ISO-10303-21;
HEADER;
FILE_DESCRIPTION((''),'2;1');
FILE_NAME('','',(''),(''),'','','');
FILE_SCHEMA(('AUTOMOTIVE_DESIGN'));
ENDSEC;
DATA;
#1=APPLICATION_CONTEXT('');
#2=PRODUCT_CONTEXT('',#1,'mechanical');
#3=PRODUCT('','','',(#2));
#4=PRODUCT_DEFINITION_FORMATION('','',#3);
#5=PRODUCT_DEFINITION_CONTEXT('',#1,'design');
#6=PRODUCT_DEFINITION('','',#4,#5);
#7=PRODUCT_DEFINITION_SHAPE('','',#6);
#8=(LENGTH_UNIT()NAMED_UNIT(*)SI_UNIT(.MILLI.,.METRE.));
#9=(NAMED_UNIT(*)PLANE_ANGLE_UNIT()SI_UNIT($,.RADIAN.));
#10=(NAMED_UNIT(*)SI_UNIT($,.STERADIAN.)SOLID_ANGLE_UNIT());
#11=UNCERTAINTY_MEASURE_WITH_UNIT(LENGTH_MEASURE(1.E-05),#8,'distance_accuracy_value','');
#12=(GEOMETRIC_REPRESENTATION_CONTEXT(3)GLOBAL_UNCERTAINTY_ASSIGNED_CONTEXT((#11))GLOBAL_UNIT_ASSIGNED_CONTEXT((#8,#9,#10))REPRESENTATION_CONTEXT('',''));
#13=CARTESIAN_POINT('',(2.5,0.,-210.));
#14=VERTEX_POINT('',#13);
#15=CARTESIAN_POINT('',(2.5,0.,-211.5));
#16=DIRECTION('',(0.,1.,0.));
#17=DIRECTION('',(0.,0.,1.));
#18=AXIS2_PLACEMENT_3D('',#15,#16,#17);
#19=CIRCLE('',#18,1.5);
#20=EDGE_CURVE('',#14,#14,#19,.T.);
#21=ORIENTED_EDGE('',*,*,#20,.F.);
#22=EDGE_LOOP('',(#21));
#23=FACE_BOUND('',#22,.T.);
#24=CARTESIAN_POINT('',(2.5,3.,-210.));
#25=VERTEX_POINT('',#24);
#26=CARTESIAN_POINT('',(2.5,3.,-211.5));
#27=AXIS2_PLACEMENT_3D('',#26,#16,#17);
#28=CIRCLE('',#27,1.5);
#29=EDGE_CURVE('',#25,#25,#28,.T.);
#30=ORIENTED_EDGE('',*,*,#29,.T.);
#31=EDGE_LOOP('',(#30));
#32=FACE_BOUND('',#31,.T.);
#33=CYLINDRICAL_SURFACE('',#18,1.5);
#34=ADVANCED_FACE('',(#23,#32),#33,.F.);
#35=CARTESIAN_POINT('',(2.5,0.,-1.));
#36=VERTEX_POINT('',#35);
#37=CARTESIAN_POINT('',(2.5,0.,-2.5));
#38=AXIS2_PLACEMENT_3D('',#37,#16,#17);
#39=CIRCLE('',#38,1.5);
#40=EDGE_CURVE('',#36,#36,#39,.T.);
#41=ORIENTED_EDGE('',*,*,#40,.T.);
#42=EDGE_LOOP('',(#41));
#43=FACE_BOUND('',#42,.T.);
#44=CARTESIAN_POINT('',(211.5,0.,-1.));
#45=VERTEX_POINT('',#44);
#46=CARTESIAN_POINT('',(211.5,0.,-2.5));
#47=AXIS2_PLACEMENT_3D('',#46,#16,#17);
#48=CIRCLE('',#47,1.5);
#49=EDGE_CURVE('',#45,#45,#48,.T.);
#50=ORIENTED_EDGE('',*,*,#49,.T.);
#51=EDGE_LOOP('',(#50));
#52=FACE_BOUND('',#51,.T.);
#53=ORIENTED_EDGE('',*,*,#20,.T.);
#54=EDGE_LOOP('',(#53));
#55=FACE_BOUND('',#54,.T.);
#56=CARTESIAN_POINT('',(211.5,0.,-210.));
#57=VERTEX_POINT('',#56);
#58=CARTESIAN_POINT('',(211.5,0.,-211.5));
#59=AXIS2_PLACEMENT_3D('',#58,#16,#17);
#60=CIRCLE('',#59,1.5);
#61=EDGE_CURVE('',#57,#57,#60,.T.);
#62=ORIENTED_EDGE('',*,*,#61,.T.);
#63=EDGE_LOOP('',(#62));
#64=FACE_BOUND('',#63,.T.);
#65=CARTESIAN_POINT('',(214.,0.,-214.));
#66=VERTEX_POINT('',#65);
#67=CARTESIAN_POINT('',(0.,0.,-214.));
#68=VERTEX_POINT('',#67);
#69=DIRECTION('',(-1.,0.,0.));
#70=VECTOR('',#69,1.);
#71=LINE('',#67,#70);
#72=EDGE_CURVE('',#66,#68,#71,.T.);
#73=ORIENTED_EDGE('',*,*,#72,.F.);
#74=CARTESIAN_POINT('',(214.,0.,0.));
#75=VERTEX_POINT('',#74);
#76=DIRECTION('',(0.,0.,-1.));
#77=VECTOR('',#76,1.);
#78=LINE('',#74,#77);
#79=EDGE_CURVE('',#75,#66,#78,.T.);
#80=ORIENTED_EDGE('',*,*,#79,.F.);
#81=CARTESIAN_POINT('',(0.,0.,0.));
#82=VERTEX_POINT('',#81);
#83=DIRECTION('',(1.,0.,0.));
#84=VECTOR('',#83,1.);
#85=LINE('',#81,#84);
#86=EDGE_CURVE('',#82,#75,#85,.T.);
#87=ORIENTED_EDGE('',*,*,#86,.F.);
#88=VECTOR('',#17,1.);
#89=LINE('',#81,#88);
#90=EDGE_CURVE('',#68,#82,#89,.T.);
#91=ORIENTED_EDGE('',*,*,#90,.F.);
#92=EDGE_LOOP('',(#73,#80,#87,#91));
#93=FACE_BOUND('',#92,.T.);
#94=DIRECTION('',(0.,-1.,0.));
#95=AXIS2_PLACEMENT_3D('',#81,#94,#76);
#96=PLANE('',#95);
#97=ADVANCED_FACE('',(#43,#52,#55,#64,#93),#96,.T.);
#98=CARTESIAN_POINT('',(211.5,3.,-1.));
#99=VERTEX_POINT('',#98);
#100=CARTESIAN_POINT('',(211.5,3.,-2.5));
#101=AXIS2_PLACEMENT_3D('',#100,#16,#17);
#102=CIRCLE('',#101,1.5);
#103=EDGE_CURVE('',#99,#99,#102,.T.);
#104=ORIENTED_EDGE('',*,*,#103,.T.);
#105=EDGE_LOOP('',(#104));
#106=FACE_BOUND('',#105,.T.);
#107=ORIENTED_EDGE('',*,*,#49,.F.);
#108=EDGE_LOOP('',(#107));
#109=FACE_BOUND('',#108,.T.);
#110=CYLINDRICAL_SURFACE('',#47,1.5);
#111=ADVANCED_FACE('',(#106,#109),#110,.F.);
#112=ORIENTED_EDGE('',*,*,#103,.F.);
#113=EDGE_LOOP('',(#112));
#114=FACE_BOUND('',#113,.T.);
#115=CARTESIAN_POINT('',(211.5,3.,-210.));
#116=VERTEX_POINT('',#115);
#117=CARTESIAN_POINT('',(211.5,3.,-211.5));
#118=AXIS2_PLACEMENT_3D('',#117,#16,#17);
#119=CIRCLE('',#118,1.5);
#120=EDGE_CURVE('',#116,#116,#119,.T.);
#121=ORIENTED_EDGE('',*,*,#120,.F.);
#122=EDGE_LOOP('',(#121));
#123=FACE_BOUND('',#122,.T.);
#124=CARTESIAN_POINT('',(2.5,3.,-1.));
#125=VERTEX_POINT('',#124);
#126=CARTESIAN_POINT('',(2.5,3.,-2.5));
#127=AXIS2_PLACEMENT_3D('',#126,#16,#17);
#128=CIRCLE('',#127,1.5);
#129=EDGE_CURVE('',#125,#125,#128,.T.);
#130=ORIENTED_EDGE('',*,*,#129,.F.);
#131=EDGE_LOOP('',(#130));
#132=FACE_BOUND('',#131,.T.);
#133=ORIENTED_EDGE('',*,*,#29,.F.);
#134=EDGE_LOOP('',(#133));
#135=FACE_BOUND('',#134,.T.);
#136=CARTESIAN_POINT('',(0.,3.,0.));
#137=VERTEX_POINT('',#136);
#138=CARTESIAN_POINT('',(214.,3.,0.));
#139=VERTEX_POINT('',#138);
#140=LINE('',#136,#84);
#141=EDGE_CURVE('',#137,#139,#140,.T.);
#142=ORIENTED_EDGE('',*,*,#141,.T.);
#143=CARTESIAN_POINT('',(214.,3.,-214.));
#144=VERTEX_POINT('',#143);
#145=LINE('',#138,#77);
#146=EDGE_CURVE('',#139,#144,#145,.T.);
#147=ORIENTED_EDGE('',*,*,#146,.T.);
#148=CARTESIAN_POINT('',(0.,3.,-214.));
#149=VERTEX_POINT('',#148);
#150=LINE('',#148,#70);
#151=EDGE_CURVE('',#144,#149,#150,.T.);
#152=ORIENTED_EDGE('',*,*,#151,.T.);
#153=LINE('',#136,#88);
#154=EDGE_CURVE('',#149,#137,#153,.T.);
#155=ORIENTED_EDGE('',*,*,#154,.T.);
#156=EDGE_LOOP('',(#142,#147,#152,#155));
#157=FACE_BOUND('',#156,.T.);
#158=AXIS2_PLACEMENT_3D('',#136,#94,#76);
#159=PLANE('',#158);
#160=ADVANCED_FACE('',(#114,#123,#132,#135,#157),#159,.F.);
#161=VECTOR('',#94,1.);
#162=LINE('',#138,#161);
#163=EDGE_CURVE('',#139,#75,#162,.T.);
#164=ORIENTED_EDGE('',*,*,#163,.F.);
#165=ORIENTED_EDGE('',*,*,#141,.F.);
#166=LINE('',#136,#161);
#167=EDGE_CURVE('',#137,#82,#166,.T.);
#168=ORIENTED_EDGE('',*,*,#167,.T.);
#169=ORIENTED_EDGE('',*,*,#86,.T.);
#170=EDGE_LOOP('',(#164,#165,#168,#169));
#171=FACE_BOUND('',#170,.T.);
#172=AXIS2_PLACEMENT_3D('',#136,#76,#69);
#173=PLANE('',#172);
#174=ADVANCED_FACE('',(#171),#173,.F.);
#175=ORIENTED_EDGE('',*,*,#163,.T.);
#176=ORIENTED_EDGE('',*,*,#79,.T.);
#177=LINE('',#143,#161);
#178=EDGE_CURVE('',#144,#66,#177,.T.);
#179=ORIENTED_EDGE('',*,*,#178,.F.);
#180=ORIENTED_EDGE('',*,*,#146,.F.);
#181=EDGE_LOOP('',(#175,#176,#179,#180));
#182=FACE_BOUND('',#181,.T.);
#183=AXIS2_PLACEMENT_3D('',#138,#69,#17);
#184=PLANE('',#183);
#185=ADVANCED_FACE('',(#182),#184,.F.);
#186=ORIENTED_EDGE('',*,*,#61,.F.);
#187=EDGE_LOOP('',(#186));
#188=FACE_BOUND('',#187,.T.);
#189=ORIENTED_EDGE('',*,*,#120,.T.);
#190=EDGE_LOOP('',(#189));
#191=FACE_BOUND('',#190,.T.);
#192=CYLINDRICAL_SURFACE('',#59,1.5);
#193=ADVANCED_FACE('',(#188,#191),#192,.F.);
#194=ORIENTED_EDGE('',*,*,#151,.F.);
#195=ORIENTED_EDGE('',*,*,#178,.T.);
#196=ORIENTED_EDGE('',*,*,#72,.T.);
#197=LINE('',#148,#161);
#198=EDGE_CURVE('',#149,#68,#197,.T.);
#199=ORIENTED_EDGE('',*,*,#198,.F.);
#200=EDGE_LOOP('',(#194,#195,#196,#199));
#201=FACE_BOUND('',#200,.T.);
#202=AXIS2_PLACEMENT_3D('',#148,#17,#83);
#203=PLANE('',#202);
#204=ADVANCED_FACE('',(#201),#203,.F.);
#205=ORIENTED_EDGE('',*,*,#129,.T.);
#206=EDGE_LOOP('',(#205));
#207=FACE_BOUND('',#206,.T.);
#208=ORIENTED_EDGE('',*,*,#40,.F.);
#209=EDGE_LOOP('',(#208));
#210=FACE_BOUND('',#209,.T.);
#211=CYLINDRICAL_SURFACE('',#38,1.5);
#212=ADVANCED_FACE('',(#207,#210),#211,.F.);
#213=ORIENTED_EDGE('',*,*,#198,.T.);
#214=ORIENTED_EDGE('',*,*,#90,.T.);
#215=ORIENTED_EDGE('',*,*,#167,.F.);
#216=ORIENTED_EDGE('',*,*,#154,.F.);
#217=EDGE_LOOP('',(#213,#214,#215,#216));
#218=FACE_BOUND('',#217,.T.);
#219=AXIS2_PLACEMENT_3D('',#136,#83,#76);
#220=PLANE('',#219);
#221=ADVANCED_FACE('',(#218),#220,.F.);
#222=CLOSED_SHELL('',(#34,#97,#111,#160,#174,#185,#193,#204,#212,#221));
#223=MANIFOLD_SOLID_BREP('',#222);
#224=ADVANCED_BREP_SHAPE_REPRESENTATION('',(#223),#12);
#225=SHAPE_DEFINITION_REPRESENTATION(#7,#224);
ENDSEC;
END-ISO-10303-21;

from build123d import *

# Parameters (mm, degrees)
CROQUIS1_W              = 214
CROQUIS1_H              = 214
SALIENTE_EXTRUIR1_DEPTH = 3
CROQUIS2_R              = 1.5
CORTAR_EXTRUIR1_DEPTH   = 3


with BuildPart() as part:
    # Croquis1 → Saliente-Extruir1 (new body)
    with BuildSketch(Plane(origin=(0, 0, 0), x_dir=(1, 0, 0), z_dir=(0, 1, 0))):
        with Locations((107, 107)):
            Rectangle(CROQUIS1_W, CROQUIS1_H)
    extrude(amount=SALIENTE_EXTRUIR1_DEPTH)

    # Croquis2 → Cortar-Extruir1 (cut)
    with BuildSketch(Plane(origin=(0, 3, 0), x_dir=(1, 0, 0), z_dir=(0, 1, 0))):
        with Locations((2.5, 211.5)):
            Circle(CROQUIS2_R)
        with Locations((2.5, 2.5)):
            Circle(CROQUIS2_R)
        with Locations((211.5, 2.5)):
            Circle(CROQUIS2_R)
        with Locations((211.5, 211.5)):
            Circle(CROQUIS2_R)
    extrude(amount=-CORTAR_EXTRUIR1_DEPTH, mode=Mode.SUBTRACT)


solid = part.part
